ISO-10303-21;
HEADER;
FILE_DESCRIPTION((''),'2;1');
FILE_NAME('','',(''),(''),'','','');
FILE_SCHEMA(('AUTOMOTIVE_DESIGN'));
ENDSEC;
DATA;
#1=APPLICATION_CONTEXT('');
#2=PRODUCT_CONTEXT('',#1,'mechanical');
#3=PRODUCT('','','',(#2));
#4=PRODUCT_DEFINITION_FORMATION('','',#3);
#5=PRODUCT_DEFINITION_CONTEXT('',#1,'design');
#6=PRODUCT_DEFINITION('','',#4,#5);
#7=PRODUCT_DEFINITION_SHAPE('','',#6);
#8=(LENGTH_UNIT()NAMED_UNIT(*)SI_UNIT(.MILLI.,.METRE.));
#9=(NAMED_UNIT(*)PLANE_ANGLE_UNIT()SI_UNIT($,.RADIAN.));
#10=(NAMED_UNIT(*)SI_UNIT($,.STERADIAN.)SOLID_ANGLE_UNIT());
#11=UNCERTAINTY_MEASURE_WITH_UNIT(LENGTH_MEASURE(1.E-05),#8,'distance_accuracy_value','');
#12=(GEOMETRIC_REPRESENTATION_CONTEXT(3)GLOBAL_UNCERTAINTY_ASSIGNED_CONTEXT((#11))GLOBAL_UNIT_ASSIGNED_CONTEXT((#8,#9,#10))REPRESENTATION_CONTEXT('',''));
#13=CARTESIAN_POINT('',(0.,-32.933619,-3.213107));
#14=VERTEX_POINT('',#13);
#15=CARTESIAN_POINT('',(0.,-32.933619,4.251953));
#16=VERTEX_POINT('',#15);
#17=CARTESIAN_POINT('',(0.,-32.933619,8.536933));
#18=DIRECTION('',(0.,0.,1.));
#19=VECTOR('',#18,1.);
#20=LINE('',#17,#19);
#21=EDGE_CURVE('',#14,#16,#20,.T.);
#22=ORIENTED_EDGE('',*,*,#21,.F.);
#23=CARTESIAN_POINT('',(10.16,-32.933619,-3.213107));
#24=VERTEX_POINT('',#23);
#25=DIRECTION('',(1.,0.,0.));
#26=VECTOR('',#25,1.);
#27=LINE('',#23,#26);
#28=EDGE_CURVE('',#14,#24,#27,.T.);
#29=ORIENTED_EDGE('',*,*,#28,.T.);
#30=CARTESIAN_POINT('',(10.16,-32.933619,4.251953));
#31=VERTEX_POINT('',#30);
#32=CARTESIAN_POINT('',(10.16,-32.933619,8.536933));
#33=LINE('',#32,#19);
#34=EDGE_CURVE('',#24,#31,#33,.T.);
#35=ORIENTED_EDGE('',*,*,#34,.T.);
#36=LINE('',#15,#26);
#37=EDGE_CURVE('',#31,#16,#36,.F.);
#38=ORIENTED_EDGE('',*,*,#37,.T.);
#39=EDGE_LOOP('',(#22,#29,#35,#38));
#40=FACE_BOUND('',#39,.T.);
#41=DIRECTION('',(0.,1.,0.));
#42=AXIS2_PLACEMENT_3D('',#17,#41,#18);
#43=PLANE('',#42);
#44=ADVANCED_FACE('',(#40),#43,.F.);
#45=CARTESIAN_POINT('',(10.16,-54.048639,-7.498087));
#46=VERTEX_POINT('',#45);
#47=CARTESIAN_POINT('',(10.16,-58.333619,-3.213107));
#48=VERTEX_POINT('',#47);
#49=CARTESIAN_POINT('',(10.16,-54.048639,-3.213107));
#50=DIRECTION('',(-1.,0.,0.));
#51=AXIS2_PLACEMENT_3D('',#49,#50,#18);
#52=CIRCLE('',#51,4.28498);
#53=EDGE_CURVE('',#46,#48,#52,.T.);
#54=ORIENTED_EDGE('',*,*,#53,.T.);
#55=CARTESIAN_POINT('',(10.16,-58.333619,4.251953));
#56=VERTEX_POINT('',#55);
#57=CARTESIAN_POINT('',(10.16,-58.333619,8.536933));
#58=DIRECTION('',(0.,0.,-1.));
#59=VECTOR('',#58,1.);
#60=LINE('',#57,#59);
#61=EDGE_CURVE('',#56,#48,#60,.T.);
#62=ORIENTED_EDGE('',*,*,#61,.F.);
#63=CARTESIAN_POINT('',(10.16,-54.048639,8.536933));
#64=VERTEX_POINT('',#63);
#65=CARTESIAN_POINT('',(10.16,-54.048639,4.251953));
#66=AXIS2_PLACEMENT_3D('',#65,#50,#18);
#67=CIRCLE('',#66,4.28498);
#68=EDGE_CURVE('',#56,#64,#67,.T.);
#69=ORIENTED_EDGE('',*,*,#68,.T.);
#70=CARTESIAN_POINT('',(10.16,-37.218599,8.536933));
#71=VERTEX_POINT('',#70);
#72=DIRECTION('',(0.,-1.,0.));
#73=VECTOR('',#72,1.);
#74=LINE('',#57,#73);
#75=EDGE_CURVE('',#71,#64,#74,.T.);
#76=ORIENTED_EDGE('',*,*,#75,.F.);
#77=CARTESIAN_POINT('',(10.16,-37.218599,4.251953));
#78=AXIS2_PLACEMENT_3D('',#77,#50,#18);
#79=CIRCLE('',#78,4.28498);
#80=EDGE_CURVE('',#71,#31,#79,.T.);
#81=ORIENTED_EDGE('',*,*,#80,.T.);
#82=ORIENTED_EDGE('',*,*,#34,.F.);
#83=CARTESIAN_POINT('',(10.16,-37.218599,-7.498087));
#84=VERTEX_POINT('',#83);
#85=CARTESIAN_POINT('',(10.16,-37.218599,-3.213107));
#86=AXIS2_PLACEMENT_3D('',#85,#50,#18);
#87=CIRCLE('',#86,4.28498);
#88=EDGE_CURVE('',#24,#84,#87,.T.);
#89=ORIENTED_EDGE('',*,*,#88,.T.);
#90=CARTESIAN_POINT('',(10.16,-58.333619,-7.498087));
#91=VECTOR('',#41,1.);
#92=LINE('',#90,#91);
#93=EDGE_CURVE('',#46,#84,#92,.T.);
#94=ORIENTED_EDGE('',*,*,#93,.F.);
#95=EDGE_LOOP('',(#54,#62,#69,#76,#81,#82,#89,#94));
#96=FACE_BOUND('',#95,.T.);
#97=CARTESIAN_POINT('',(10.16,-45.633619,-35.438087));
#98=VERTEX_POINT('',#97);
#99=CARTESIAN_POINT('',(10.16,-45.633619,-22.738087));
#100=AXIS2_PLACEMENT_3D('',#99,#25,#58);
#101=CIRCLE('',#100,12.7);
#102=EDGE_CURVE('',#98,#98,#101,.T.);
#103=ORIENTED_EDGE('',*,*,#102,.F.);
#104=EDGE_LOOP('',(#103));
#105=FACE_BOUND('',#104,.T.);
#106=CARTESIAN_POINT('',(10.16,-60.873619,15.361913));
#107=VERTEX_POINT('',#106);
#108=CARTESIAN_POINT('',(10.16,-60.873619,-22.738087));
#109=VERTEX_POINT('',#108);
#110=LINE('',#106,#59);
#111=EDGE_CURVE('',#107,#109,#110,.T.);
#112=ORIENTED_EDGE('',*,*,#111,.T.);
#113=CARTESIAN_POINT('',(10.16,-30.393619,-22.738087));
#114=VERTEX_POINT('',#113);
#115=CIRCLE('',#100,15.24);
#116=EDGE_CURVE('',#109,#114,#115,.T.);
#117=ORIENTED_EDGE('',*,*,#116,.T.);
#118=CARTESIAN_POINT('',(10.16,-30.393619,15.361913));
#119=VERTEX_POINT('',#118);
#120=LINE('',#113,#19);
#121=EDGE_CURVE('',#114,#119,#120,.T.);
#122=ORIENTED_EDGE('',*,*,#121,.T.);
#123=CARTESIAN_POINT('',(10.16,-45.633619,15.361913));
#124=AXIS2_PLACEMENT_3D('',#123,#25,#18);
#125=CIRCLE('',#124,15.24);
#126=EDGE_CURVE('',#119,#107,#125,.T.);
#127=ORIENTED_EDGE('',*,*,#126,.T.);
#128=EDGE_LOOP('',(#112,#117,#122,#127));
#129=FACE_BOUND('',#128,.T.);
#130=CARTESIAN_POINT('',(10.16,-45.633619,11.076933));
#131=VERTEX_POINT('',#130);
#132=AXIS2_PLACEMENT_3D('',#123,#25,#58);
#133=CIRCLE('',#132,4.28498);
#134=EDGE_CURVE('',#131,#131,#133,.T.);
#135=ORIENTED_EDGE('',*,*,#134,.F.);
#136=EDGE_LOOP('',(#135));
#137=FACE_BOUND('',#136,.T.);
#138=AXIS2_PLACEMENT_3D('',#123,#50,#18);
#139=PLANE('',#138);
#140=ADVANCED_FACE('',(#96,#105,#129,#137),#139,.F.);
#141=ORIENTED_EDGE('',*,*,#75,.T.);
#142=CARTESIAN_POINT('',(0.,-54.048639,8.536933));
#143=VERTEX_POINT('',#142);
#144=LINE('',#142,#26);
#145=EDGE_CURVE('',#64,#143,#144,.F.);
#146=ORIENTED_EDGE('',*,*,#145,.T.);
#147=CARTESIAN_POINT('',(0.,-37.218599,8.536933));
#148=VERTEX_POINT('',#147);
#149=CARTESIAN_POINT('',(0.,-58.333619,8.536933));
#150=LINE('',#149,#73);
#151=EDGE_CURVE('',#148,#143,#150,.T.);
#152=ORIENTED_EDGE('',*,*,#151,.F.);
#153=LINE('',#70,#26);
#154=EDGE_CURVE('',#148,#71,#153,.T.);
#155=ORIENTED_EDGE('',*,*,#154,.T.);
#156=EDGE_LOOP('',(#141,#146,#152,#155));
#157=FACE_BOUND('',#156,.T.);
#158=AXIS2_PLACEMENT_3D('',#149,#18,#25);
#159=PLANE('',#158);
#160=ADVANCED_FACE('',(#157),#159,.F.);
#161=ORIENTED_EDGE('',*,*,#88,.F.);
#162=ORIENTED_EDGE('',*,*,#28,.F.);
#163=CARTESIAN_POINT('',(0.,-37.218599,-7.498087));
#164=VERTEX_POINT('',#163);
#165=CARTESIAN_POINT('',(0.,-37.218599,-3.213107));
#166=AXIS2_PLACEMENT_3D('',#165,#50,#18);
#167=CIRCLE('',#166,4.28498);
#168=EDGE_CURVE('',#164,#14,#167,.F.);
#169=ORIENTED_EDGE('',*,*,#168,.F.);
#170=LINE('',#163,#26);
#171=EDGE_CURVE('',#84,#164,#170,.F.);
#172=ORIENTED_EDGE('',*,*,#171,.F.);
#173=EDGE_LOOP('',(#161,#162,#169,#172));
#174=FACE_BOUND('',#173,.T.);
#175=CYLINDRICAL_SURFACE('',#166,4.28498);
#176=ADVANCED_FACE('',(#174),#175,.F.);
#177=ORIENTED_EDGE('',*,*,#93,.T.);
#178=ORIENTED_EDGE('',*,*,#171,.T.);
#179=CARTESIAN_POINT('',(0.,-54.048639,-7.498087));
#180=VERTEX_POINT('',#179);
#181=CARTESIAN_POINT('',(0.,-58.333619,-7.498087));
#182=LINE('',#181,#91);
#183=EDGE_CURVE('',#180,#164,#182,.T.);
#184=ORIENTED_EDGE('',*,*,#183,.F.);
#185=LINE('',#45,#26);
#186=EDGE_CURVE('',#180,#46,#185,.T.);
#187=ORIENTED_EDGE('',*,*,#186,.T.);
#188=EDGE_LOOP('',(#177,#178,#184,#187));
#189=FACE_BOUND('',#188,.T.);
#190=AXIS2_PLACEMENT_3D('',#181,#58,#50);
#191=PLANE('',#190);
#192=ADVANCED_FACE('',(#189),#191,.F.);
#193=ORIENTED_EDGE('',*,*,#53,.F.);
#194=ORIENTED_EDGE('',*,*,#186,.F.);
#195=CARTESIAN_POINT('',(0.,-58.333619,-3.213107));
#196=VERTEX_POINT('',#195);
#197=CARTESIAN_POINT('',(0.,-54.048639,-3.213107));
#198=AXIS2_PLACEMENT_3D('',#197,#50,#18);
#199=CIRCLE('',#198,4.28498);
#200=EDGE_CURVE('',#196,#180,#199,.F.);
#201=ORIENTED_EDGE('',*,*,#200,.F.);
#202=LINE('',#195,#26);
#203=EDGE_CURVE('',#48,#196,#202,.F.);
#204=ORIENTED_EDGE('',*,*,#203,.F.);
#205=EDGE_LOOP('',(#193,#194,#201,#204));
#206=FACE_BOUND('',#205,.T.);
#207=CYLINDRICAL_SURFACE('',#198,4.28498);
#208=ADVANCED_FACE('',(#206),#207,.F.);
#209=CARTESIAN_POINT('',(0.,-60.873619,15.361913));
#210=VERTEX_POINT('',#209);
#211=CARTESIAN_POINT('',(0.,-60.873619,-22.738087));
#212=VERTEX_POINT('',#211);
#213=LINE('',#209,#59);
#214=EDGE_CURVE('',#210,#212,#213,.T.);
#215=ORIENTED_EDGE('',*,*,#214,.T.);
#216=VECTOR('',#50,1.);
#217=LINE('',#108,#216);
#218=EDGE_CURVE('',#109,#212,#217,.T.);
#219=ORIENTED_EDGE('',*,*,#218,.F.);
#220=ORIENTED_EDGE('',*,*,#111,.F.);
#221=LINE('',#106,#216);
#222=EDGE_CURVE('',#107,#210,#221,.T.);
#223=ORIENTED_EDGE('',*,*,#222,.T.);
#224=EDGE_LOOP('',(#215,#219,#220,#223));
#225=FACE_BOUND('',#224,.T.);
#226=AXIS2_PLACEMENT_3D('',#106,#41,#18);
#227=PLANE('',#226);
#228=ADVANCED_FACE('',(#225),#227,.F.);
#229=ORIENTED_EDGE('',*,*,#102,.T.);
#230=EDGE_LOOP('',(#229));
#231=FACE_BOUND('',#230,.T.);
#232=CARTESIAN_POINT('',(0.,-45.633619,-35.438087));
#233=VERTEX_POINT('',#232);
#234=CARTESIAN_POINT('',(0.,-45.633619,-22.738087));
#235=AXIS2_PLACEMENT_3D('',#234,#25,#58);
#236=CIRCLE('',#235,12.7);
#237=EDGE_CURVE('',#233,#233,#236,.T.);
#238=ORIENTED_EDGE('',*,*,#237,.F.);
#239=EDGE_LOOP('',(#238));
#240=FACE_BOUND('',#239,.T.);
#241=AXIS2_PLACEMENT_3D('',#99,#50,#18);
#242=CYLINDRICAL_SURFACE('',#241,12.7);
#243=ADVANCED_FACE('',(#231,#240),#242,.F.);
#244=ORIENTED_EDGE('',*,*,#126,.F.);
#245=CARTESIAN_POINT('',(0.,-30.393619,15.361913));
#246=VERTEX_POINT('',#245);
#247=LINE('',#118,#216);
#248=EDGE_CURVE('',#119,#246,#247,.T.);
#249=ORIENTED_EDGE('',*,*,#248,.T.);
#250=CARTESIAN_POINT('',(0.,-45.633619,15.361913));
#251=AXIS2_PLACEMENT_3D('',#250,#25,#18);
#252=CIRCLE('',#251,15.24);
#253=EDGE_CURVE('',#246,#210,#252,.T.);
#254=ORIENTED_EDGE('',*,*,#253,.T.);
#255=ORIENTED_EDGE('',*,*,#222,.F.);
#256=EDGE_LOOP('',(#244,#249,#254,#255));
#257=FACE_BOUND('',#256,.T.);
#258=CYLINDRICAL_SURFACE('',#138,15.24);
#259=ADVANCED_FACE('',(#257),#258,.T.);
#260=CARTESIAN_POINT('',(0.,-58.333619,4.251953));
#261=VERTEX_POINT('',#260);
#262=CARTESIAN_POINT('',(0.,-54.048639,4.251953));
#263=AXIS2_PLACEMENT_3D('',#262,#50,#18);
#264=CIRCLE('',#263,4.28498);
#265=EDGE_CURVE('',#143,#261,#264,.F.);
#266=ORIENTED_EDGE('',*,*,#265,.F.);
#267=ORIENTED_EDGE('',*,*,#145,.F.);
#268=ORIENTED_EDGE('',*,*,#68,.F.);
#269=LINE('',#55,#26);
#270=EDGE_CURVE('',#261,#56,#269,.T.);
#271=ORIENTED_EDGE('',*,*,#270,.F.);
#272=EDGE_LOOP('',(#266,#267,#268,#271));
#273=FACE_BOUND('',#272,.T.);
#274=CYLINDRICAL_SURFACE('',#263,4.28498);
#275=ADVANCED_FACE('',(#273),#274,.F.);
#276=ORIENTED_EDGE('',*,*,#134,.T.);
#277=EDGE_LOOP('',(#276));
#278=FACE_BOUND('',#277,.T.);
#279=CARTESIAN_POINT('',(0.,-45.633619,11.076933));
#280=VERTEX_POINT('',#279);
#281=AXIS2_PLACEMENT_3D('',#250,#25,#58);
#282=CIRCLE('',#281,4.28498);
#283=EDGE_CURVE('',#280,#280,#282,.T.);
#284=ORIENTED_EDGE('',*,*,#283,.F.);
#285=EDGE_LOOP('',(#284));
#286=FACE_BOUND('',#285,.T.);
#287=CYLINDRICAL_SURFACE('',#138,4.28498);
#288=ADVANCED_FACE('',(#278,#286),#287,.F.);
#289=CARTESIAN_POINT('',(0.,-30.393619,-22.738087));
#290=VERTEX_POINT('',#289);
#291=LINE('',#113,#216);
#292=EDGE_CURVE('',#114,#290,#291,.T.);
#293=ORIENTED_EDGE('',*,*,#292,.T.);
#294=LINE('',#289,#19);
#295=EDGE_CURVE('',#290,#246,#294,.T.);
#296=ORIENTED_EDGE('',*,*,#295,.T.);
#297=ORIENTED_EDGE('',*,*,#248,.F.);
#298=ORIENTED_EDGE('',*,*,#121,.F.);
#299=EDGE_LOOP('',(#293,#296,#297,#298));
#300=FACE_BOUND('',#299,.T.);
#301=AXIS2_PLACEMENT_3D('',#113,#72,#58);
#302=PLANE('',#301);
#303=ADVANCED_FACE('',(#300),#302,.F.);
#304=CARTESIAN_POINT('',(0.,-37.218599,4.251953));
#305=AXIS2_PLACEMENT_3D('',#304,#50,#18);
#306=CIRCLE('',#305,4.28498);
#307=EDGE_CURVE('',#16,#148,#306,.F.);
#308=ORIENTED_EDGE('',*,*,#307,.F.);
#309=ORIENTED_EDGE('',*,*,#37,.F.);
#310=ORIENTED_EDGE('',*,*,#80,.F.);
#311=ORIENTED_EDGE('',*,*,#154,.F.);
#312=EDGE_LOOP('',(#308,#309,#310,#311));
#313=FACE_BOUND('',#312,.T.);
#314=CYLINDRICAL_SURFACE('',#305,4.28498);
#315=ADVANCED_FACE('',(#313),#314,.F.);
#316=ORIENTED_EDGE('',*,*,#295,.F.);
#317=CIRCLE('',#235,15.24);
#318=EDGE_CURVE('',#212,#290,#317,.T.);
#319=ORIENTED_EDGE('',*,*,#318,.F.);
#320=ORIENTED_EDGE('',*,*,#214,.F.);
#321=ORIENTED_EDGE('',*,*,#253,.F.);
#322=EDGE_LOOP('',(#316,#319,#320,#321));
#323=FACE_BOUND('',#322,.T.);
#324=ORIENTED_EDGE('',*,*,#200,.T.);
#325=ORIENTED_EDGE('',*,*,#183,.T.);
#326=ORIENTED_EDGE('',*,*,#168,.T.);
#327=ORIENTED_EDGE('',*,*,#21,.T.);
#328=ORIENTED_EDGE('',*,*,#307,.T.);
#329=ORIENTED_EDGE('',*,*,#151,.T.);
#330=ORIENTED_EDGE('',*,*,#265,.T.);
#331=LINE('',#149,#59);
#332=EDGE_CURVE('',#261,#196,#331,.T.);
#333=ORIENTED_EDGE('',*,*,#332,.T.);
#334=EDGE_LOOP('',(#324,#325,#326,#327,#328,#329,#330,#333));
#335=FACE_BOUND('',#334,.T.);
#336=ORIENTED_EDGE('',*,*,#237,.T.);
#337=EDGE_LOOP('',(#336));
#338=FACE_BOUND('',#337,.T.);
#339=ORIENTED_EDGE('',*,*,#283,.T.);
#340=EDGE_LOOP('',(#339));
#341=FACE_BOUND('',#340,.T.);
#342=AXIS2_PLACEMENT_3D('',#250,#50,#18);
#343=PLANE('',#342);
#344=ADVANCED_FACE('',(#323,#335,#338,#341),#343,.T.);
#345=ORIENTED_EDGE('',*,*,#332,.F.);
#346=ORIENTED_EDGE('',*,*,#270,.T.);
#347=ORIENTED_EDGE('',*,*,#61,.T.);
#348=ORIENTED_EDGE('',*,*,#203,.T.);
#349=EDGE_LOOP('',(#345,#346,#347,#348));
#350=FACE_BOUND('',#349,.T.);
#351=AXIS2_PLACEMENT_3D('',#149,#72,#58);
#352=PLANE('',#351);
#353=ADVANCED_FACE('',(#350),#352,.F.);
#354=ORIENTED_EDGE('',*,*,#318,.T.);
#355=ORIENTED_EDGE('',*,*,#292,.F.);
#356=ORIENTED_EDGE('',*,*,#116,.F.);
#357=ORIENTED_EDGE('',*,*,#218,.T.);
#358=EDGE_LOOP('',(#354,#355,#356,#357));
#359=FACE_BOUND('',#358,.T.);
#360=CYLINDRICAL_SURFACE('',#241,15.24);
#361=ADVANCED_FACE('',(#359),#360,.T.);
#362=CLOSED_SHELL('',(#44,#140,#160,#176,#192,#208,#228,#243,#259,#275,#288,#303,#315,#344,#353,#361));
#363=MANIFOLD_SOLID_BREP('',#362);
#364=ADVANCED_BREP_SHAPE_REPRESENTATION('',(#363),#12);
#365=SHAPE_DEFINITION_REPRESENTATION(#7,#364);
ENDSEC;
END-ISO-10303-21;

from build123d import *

# Parameters (mm, degrees)
SKETCH1_R           = 12.7
SKETCH1_R_2         = 4.28498
BOSS_EXTRUDE1_DEPTH = 10.159999949
SKETCH2_W           = 25.4
SKETCH2_H           = 16.03502
CUT_EXTRUDE1_DEPTH  = 73.464875935
FILLET1_R           = 4.28498


with BuildPart() as part:
    # Sketch1 → Boss-Extrude1 (new body)
    with BuildSketch(Plane.YZ):
        with BuildLine():
            Line((-60.873619371, 15.361912765), (-60.873619371, -22.738087235))
            ThreePointArc((-60.873619371, -22.738087235), (-45.633619371, -37.978087235), (-30.393619371, -22.738087235))
            Line((-30.393619371, -22.738087235), (-30.393619371, 15.361912765))
            ThreePointArc((-30.393619371, 15.361912765), (-45.633619371, 30.601912765), (-60.873619371, 15.361912765))
        make_face()
        with Locations(Location((-45.633619371, -22.738087235, 0), (0, 0, 270))):
            Circle(SKETCH1_R, mode=Mode.SUBTRACT)
        with Locations(Location((-45.633619371, 15.361912765, 0), (0, 0, 270))):
            Circle(SKETCH1_R_2, mode=Mode.SUBTRACT)
    extrude(amount=BOSS_EXTRUDE1_DEPTH)

    # Sketch2 → Cut-Extrude1 (cut, through all)
    with BuildSketch(Plane.YZ.offset(10.159999949)):
        with Locations((-45.633619371, 0.519422765)):
            Rectangle(SKETCH2_W, SKETCH2_H)
    extrude(amount=-CUT_EXTRUDE1_DEPTH, mode=Mode.SUBTRACT)

    # Fillet1
    fillet1_edges = [part.edges().sort_by_distance(p)[0] for p in [
        (5.079999975, -58.333619371, -7.498087235),
        (5.079999975, -58.333619371, 8.536932765),
        (5.079999975, -32.933619371, 8.536932765),
        (5.079999975, -32.933619371, -7.498087235),
    ]]
    fillet(fillet1_edges, radius=FILLET1_R)


solid = part.part
